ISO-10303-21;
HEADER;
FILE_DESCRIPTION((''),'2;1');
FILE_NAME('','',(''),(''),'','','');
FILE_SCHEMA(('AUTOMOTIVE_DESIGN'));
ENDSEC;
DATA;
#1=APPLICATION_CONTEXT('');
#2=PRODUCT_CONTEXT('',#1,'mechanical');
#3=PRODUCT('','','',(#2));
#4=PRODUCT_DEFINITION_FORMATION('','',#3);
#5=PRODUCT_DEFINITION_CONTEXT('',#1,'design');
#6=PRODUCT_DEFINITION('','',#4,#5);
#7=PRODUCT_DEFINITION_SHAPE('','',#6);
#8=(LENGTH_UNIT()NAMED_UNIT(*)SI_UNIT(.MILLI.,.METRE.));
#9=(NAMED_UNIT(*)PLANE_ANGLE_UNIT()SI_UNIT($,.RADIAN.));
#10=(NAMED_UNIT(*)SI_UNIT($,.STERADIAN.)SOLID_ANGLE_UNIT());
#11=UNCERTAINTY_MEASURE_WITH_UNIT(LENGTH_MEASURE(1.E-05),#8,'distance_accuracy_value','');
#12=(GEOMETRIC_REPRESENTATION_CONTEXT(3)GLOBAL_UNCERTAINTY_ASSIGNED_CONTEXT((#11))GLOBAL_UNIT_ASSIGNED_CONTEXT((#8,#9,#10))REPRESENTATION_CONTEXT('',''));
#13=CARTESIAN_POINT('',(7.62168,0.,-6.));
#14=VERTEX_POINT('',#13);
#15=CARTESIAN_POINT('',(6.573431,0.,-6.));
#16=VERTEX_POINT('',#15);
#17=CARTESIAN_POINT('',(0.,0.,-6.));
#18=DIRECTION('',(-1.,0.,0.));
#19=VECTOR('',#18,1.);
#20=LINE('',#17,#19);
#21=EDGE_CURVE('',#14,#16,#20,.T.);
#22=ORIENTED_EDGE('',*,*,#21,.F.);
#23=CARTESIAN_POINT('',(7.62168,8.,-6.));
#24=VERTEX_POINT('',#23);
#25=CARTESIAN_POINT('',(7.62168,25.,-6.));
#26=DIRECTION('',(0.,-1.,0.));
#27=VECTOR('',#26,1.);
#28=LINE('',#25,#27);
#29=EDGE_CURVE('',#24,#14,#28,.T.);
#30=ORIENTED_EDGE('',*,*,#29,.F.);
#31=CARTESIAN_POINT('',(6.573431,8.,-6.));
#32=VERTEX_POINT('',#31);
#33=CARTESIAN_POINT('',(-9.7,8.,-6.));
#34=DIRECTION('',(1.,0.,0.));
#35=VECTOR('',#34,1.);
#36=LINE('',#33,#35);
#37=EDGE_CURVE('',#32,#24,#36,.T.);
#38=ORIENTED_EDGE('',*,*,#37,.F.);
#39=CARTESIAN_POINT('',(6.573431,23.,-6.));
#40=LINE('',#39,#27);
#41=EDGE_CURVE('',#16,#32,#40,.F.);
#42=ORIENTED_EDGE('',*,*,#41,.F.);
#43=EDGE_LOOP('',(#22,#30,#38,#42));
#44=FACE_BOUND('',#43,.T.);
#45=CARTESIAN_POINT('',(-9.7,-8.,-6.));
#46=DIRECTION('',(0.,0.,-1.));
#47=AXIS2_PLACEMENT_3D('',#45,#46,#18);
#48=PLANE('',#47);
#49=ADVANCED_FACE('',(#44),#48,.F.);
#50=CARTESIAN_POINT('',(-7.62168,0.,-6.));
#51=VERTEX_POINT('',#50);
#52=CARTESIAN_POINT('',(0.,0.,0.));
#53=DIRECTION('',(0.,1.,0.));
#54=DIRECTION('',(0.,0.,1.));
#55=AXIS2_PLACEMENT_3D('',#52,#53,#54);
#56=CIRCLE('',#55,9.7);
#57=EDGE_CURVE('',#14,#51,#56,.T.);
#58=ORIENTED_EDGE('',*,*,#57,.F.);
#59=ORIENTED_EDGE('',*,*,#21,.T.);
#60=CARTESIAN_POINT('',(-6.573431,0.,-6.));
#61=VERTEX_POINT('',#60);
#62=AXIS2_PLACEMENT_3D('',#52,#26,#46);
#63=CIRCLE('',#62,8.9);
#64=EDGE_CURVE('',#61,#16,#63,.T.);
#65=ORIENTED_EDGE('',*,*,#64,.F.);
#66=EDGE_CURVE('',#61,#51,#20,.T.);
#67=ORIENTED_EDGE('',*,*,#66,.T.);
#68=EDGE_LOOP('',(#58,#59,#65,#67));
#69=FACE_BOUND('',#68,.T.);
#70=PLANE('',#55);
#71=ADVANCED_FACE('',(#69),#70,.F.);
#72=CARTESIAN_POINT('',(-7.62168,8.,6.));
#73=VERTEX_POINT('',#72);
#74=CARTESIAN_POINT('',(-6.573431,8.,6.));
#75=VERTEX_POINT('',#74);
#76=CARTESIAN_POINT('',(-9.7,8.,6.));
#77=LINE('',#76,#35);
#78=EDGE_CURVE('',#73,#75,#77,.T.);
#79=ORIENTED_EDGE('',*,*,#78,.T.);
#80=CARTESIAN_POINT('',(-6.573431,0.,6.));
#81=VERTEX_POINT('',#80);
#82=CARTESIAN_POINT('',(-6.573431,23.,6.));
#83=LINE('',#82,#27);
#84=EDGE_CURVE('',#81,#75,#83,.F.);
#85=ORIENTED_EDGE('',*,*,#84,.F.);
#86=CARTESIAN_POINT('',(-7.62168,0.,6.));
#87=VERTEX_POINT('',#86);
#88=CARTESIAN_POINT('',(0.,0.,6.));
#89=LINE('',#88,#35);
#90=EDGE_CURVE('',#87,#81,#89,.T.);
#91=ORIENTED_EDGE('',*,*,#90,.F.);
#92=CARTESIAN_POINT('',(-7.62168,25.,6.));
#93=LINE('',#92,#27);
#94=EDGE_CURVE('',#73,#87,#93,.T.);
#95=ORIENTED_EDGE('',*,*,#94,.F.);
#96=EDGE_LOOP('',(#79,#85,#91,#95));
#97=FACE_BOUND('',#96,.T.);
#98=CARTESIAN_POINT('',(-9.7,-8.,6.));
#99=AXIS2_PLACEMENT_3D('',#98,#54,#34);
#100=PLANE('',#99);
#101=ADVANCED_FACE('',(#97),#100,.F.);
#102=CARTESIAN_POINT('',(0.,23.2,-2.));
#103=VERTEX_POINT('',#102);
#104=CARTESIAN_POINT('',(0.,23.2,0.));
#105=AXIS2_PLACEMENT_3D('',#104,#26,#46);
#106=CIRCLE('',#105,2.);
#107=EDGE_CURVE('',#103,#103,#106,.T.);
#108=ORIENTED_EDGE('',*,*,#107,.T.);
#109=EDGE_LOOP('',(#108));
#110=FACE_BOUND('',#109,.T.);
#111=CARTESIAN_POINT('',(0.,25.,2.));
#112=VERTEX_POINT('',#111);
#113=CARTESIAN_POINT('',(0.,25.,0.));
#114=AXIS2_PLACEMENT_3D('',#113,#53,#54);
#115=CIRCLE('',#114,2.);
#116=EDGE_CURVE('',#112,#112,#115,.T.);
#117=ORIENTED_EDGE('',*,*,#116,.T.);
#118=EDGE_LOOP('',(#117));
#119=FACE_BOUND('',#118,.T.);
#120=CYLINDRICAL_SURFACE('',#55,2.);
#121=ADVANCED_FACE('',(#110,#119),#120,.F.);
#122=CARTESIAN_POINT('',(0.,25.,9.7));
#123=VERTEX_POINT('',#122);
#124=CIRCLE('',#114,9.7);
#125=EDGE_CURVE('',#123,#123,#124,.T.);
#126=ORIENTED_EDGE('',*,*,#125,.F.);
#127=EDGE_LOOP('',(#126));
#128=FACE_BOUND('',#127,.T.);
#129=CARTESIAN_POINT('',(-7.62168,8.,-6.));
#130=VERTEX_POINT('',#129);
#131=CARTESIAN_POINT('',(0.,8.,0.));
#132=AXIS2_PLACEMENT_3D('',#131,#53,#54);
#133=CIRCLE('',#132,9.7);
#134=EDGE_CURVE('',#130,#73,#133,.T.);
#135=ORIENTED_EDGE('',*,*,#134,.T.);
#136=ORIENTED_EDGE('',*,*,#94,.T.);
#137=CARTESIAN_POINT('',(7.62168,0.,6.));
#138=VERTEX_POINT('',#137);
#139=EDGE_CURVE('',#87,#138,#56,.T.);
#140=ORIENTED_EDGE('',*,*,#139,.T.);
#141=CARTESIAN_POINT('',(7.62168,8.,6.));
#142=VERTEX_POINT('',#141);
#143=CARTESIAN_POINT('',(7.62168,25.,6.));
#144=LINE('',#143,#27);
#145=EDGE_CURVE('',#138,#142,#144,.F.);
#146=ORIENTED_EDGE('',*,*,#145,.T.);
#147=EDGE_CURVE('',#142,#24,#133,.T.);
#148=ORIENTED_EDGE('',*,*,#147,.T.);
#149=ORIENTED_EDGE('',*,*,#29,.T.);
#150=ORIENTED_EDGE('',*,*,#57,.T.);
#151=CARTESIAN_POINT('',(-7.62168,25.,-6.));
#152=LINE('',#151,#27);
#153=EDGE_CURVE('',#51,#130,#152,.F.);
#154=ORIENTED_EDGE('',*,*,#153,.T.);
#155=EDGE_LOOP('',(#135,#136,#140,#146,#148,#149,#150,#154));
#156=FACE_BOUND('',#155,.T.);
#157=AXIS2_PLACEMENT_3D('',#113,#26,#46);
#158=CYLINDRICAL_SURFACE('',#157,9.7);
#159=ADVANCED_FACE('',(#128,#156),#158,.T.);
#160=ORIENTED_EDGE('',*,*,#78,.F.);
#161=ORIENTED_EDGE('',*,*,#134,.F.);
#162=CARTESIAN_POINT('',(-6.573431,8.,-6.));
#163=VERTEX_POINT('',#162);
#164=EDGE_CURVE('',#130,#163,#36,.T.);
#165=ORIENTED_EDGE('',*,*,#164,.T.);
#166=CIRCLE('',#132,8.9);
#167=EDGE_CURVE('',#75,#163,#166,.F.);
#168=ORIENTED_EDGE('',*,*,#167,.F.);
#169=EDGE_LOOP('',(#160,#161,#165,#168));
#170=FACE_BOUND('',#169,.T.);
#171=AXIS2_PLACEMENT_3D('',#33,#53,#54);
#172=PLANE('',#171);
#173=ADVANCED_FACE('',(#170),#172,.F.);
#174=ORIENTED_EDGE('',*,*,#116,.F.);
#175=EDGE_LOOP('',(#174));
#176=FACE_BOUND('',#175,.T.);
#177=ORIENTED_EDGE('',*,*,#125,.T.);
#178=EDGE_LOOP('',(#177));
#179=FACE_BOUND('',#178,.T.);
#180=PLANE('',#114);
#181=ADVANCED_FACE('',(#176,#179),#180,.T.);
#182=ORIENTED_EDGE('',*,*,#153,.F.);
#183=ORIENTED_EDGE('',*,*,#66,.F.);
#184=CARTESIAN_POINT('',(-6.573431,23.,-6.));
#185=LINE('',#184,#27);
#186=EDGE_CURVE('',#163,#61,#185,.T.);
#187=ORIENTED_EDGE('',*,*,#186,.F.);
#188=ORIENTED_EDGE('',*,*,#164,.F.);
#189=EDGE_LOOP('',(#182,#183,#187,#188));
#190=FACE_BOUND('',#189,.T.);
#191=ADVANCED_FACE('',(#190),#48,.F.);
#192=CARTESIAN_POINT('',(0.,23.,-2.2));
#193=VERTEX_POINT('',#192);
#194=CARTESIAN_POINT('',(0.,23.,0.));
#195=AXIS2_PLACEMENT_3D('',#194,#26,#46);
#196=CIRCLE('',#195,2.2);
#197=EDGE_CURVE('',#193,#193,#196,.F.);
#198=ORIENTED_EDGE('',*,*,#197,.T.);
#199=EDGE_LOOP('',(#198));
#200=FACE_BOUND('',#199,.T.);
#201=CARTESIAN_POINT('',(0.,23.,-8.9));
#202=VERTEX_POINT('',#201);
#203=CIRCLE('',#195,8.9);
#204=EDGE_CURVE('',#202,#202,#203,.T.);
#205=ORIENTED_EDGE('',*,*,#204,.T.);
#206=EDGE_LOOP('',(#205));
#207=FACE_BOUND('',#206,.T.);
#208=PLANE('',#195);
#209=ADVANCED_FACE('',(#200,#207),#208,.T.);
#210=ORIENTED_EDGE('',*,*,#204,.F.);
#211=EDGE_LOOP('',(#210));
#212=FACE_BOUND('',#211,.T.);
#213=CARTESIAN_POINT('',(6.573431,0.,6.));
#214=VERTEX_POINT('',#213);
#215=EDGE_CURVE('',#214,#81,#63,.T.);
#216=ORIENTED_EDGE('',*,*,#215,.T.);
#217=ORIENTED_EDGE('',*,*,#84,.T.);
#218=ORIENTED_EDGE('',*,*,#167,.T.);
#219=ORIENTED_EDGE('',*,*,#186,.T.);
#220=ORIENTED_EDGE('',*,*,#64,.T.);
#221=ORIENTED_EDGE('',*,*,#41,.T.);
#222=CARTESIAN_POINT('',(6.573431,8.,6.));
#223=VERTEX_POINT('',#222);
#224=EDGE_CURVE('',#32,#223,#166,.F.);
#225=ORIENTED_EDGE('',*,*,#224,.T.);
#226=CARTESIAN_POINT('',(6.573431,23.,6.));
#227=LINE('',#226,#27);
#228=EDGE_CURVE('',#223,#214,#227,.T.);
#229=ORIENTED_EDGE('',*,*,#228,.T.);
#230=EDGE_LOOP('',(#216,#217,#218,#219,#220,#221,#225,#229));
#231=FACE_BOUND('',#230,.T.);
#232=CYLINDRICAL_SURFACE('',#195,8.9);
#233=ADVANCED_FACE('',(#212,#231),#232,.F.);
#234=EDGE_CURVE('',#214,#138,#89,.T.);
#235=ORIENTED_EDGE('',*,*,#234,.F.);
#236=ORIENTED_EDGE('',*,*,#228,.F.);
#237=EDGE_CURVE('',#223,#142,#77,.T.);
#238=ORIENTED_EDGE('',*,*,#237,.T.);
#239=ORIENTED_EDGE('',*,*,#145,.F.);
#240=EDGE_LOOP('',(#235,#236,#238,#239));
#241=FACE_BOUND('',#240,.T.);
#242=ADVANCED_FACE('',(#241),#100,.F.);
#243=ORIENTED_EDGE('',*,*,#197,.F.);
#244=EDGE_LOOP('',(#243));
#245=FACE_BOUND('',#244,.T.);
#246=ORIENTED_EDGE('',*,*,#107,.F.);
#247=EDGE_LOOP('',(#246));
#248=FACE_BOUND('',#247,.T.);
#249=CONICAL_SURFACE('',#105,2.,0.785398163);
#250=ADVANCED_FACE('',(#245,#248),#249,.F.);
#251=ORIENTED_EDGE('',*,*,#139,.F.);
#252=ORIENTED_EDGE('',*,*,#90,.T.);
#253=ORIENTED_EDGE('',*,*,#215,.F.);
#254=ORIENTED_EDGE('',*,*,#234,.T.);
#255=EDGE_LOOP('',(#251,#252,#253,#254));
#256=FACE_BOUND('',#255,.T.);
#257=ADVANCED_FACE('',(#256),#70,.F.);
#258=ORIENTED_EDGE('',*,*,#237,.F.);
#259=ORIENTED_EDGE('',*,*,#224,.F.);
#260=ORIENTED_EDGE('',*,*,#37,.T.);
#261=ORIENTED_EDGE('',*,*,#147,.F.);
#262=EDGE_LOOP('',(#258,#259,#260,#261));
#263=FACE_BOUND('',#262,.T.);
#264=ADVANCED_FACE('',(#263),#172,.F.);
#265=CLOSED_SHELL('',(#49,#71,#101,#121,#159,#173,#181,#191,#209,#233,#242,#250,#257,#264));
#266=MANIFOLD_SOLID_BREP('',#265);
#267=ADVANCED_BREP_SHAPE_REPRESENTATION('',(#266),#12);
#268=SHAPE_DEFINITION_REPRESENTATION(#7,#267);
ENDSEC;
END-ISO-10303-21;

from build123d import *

# Parameters (mm, degrees)
SKETCH_1_R               = 9.7
EXTRUDE_1_DEPTH          = 25
SKETCH_5_R               = 8.9
CUT_EXTRUDE_2_DEPTH      = 23
CUT_EXTRUDE_3_DEPTH      = 29.516311122
CUT_EXTRUDE_3_DEPTH_BACK = 29.516311122
SKETCH_6_W               = 12
SKETCH_6_H               = 16
SKETCH_9_R               = 2
CUT_EXTRUDE_4_DEPTH      = 29.516311122
CHAMFER_5_SIZE           = 0.2


with BuildPart() as part:
    # 草图1 → 凸台-拉伸1 (new body)
    with BuildSketch(Plane(origin=(0, 0, 0), x_dir=(1, 0, 0), z_dir=(0, 1, 0))):
        Circle(SKETCH_1_R)
    extrude(amount=EXTRUDE_1_DEPTH)

    # 草图5 → 切除-拉伸2 (cut)
    with BuildSketch(Plane.XZ):
        Circle(SKETCH_5_R)
    extrude(amount=-CUT_EXTRUDE_2_DEPTH, mode=Mode.SUBTRACT)

    # 草图6 → 切除-拉伸3 (cut, two sides: drawn at the far end of the back side and taken through both)
    with BuildSketch(Plane(origin=(0, 0, 0), x_dir=(0, 0, -1), z_dir=(1, 0, 0)).offset(-CUT_EXTRUDE_3_DEPTH_BACK)):
        Rectangle(SKETCH_6_W, SKETCH_6_H)
    extrude(amount=CUT_EXTRUDE_3_DEPTH + CUT_EXTRUDE_3_DEPTH_BACK, mode=Mode.SUBTRACT)

    # 草图9 → 切除-拉伸4 (cut, through all)
    with BuildSketch(Plane(origin=(0, 25, 0), x_dir=(1, 0, 0), z_dir=(0, 1, 0))):
        Circle(SKETCH_9_R)
    extrude(amount=-CUT_EXTRUDE_4_DEPTH, mode=Mode.SUBTRACT)

    # 倒角5
    chamfer_5_edges = [part.edges().sort_by_distance(p)[0] for p in [
        (-2, 23, 0),
    ]]
    chamfer(chamfer_5_edges, length=CHAMFER_5_SIZE)


solid = part.part
